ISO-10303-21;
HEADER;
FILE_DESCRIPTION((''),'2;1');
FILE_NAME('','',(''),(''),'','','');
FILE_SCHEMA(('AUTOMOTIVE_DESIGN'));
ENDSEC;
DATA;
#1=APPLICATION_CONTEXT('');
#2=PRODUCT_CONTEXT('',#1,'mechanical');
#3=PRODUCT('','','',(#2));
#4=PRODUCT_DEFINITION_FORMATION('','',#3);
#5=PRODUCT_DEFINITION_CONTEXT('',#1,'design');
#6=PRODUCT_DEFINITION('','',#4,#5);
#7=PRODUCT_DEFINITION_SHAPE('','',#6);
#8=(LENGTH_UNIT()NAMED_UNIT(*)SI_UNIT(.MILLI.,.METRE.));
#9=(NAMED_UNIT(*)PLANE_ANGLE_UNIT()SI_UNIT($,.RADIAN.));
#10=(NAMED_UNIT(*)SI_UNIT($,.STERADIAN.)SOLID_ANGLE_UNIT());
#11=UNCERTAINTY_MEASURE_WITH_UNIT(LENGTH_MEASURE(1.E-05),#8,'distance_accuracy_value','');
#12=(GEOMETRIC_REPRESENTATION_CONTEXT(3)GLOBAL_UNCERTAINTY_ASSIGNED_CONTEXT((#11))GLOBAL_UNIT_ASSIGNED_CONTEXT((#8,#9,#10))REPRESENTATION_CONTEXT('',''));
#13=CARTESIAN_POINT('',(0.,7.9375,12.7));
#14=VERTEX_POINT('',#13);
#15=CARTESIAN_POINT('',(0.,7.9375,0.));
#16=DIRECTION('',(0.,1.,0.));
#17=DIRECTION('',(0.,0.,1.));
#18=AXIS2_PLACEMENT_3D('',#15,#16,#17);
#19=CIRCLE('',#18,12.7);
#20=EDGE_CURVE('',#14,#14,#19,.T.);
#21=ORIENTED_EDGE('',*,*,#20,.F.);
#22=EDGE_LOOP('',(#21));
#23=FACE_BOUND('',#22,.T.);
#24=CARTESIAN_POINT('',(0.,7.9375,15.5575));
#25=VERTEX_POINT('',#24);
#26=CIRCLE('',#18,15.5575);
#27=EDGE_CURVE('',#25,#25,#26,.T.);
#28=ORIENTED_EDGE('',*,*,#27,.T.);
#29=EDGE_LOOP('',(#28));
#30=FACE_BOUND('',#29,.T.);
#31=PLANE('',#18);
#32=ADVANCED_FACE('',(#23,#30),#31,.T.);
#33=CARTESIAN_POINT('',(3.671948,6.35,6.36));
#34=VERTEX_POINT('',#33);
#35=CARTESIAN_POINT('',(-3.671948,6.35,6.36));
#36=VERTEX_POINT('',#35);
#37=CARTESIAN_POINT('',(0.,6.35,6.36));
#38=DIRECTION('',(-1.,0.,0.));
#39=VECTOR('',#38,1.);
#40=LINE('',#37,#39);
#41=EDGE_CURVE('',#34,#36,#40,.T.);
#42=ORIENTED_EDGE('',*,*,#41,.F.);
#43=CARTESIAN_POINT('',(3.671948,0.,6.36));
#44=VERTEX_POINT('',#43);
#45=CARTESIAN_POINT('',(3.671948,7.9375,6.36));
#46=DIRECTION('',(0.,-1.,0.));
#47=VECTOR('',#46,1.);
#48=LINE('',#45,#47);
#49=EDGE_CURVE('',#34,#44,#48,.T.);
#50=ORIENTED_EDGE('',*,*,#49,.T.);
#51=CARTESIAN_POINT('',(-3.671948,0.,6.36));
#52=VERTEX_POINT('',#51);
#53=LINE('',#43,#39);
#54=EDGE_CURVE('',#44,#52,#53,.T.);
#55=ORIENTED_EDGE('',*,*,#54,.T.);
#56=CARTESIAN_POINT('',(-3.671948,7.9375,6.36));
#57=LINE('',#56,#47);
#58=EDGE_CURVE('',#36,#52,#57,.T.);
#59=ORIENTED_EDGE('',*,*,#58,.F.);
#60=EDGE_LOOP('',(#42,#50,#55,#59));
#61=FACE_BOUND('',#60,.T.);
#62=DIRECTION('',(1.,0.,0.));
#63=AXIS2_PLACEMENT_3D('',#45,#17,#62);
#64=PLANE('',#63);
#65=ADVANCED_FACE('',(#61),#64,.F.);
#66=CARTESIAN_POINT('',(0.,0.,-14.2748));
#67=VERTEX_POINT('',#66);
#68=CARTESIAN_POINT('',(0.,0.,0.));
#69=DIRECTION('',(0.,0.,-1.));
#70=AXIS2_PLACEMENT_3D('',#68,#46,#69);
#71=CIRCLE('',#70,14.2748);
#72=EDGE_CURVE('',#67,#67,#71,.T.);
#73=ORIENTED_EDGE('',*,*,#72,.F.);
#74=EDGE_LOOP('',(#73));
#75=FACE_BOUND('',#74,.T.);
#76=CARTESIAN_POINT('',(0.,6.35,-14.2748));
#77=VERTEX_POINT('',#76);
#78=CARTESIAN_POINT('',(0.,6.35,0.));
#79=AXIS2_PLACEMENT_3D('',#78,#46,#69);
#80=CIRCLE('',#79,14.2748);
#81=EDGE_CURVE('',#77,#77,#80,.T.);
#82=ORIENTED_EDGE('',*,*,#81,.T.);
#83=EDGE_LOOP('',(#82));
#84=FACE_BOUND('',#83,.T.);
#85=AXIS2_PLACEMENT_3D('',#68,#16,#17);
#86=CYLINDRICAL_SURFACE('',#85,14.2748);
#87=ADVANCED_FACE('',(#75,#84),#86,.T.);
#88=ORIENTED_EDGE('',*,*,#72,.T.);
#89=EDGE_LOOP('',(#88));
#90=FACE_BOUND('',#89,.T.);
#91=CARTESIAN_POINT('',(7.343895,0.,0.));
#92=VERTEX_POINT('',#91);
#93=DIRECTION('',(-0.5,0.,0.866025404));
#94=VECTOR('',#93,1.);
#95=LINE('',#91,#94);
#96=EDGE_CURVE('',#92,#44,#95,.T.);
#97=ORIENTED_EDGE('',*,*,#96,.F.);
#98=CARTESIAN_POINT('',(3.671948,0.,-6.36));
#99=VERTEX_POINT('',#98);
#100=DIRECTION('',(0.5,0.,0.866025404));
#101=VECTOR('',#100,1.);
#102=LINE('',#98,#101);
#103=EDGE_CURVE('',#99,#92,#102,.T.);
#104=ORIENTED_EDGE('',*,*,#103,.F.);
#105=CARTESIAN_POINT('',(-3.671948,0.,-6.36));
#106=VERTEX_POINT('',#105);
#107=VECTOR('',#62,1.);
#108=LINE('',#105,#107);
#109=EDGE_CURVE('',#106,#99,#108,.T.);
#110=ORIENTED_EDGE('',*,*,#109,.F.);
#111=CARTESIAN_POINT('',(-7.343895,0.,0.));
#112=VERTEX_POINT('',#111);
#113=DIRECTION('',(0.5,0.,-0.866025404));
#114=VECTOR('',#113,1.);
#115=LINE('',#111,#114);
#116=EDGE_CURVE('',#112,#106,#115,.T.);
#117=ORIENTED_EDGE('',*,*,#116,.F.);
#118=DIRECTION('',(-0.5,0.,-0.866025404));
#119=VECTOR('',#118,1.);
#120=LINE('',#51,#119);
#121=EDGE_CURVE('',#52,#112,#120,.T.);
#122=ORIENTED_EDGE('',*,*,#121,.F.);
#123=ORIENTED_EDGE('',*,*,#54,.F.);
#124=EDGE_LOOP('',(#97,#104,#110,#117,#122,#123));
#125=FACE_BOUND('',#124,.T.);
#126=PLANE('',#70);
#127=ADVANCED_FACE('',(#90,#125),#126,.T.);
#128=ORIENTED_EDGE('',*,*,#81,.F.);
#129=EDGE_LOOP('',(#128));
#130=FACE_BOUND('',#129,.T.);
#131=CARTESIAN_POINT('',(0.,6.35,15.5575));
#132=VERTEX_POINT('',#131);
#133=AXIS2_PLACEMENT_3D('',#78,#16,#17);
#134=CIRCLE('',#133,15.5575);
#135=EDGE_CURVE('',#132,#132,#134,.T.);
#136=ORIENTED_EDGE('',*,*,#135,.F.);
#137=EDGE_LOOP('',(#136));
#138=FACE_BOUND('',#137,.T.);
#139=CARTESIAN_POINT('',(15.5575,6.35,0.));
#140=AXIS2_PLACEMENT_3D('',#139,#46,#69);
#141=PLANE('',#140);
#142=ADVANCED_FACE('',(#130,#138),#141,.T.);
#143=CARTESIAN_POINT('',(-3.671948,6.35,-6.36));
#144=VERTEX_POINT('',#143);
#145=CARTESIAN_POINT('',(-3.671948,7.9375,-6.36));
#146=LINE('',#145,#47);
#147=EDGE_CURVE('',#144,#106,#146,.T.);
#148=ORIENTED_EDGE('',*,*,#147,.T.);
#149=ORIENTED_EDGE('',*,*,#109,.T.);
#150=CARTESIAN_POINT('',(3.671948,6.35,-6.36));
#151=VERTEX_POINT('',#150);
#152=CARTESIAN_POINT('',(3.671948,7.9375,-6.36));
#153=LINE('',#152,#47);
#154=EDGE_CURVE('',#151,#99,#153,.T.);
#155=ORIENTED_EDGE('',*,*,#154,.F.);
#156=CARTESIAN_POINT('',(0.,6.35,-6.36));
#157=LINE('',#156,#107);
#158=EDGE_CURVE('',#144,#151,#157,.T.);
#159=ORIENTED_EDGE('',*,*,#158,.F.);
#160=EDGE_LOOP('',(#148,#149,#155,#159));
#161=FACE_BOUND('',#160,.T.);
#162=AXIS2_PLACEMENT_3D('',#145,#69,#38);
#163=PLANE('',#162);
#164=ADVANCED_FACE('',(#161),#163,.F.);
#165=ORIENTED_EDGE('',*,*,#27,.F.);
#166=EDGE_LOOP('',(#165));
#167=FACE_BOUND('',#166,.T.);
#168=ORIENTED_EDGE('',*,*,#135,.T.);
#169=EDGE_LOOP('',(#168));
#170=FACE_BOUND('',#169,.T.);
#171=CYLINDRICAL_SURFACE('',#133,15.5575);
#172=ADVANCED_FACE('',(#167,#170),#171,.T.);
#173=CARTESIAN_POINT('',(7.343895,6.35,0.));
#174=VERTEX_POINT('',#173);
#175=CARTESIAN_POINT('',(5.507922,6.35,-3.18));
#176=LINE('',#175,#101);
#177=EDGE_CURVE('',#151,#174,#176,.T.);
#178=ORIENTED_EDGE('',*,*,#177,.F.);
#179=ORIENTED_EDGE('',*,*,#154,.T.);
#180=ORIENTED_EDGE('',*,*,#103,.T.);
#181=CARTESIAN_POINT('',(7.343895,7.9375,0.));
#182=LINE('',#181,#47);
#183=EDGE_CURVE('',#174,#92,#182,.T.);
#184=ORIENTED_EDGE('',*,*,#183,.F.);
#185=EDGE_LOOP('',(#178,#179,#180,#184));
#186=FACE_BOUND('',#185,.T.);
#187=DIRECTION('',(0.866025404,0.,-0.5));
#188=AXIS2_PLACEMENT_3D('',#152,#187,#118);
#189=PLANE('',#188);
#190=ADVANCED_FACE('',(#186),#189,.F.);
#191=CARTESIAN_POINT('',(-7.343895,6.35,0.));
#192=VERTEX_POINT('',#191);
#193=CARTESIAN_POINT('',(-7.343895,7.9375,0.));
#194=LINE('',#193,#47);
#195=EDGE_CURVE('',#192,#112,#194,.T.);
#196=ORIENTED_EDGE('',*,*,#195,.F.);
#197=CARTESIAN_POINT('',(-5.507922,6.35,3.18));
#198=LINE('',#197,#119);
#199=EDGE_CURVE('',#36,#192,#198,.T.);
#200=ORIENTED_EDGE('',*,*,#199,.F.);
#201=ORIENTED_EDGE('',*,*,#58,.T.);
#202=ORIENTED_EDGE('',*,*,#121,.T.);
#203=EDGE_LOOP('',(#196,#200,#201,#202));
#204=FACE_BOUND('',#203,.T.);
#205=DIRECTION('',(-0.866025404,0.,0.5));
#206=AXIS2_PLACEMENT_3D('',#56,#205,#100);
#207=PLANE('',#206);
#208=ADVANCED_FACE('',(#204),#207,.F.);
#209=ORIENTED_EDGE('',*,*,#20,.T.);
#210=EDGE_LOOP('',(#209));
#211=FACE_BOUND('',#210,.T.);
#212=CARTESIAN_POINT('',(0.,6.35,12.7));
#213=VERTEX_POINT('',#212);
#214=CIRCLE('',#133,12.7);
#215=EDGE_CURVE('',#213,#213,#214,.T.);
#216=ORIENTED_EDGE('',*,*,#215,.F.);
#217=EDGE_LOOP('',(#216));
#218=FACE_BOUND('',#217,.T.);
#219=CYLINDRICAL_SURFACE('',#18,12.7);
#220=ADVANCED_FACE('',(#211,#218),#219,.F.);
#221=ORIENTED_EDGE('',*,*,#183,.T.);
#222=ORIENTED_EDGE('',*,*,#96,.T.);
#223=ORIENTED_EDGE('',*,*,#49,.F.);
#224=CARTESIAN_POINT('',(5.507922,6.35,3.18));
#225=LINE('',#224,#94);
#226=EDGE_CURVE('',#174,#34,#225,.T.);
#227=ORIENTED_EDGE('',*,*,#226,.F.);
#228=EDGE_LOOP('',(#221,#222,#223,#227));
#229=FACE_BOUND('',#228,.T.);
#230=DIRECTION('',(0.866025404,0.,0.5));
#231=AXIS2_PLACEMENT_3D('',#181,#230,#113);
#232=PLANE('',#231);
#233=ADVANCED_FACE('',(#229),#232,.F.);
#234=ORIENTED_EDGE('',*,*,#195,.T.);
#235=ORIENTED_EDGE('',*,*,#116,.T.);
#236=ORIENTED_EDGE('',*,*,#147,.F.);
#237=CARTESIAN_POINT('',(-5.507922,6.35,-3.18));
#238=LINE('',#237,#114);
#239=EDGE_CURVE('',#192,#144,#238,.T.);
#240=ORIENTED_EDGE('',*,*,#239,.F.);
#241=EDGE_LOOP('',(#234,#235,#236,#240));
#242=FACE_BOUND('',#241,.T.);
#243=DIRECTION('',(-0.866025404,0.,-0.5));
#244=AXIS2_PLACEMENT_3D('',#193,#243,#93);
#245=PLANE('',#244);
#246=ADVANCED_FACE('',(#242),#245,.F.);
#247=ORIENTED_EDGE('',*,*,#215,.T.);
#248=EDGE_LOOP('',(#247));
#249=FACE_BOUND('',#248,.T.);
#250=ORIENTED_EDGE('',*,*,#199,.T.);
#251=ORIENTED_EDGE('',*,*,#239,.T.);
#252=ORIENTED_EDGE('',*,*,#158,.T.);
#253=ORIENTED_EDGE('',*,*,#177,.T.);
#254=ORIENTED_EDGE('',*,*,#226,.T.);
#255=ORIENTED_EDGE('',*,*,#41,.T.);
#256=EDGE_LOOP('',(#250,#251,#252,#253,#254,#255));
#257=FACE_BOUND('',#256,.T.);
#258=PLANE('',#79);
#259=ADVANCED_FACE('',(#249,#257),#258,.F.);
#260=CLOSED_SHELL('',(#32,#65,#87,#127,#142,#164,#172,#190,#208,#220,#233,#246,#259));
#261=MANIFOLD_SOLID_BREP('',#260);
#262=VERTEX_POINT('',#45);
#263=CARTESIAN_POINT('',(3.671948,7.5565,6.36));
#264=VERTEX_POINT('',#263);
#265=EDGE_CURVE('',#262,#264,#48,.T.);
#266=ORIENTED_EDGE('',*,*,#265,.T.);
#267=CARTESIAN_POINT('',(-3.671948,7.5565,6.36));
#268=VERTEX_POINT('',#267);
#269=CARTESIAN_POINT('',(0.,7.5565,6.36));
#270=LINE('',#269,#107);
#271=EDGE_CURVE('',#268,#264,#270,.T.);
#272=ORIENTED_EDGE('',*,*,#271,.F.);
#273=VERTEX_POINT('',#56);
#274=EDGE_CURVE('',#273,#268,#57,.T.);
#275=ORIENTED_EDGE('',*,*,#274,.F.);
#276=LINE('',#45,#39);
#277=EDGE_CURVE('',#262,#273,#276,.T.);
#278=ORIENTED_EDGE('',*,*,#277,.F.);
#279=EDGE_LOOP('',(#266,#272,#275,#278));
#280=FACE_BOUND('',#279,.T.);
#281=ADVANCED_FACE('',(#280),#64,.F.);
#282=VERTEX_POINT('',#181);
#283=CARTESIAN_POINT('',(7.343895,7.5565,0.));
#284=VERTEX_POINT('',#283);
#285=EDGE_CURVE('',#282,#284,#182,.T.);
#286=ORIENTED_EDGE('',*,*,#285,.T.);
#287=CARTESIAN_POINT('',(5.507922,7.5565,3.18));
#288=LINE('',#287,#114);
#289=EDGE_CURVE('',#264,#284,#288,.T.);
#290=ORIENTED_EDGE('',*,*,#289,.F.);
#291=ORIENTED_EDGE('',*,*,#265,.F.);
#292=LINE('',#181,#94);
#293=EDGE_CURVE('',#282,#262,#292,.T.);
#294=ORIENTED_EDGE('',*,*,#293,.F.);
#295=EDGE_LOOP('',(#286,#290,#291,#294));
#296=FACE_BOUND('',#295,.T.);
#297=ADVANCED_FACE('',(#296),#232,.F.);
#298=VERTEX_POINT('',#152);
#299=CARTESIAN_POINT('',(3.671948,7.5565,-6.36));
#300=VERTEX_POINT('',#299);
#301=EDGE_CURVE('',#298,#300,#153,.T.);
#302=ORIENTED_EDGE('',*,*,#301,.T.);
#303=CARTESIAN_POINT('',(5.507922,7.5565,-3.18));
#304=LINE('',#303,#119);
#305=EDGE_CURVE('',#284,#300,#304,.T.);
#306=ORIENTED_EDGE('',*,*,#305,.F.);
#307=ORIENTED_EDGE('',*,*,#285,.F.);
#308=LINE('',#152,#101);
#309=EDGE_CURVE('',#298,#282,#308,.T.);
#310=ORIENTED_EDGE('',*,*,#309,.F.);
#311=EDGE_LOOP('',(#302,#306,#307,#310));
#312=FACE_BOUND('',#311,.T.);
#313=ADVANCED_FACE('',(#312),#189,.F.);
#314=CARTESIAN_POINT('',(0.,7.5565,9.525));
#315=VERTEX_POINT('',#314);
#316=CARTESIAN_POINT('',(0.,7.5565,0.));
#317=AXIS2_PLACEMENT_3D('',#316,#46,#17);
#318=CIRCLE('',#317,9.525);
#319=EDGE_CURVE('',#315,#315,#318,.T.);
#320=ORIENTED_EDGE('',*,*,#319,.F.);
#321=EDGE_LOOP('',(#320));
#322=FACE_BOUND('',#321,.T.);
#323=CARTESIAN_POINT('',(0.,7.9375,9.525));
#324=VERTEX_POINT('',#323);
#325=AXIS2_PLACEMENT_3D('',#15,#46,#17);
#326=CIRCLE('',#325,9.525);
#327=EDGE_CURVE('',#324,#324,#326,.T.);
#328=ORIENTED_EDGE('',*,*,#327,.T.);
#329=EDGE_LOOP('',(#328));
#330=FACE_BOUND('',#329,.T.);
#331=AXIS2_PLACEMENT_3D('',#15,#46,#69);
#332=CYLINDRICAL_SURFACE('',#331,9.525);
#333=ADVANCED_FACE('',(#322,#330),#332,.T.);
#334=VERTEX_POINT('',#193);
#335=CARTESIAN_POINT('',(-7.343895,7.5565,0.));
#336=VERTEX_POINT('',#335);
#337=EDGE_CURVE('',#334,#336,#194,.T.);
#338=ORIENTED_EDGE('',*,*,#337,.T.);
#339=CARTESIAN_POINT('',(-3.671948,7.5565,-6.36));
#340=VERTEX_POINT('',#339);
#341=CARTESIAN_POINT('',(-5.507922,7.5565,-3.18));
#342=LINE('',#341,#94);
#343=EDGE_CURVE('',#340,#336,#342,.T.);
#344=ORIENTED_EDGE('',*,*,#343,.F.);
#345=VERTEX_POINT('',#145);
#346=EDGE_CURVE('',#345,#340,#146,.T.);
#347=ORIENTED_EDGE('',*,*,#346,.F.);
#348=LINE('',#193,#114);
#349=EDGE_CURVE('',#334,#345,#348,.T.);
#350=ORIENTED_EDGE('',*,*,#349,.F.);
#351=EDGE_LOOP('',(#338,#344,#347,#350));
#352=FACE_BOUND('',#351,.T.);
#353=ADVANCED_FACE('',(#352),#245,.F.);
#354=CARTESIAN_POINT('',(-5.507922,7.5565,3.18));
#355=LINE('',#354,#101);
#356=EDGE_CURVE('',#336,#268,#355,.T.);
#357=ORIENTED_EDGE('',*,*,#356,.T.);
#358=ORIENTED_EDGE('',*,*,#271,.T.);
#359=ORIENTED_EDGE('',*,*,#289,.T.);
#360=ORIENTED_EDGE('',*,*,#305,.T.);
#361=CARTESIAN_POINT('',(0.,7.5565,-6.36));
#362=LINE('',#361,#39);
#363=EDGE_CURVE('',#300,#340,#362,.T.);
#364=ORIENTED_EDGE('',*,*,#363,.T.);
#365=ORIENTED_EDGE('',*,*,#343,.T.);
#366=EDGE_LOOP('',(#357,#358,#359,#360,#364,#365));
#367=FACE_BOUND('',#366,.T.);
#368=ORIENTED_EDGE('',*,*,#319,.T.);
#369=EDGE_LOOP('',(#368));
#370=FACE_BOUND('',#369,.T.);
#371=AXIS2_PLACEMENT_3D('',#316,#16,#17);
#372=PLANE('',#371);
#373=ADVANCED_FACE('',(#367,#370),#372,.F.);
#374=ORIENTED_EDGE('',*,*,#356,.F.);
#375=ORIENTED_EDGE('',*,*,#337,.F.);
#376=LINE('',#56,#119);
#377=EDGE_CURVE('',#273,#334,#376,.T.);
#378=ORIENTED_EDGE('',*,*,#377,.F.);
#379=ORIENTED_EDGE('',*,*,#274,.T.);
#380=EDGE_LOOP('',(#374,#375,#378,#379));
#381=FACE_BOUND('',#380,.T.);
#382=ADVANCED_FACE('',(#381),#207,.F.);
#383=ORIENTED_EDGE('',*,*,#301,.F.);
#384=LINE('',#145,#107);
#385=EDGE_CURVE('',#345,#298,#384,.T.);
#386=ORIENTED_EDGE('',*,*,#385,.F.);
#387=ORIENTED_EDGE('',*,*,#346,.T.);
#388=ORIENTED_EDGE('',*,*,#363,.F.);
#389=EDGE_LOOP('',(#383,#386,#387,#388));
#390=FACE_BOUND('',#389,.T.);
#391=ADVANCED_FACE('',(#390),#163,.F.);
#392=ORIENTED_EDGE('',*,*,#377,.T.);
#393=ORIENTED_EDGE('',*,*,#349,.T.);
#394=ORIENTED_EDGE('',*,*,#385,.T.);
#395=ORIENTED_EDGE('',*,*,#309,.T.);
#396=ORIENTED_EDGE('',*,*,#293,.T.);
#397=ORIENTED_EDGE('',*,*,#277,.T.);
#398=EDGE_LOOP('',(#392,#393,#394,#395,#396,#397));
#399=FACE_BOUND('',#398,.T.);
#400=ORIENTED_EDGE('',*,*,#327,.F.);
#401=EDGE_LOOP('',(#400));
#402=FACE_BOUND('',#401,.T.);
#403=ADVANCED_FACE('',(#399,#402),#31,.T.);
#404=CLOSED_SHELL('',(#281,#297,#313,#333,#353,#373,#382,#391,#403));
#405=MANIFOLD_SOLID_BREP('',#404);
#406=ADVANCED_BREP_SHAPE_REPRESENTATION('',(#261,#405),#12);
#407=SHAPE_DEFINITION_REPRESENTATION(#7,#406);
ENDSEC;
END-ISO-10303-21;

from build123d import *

# Parameters (mm, degrees)
SKETCH1_W                  = 15.5575
SKETCH1_H                  = 1.5875
F_1_1_DIAMETER_HOLE1_D     = 25.4
F_1_1_DIAMETER_HOLE1_DEPTH = 1.5875
SKETCH4_R                  = 9.525
BOSS_EXTRUDE1_DEPTH        = 0.381
SKETCH5_R                  = 14.2748
BOSS_EXTRUDE2_DEPTH        = 6.35
CUT_EXTRUDE1_DEPTH         = 8.9375


with BuildPart() as part:
    # Sketch1 → Revolve1 (revolve)
    with BuildSketch(Plane(origin=(0, 0, 0), x_dir=(-1, 0, 0), z_dir=(0, 0, -1))):
        with Locations((-7.77875, 7.14375)):
            Rectangle(SKETCH1_W, SKETCH1_H)
    revolve(axis=Axis((0, 6.35, 0), (0, 1, 0)))

    # 1 (1) Diameter Hole1
    with Locations(Plane(origin=(0, 7.9375, 0), x_dir=(1, 0, 0), z_dir=(0, 1, 0))):
        with Locations((0, 0)):
            Hole(F_1_1_DIAMETER_HOLE1_D / 2, depth=F_1_1_DIAMETER_HOLE1_DEPTH)

    # Sketch5 → Boss-Extrude2 (add)
    with BuildSketch(Plane.XZ.offset(-6.35)):
        Circle(SKETCH5_R)
    extrude(amount=BOSS_EXTRUDE2_DEPTH)


with BuildPart() as body_2:
    # Sketch4 → Boss-Extrude1 (new body)
    with BuildSketch(Plane.XZ.offset(-7.5565)):
        Circle(SKETCH4_R)
    extrude(amount=-BOSS_EXTRUDE1_DEPTH)


with BuildPart() as cut_extrude1_tool:
    # Sketch6 → Cut-Extrude1 (new body, through all)
    with BuildSketch(Plane.XZ):
        Polygon((-3.671947712, 6.36), (-7.343895424, 0), (-3.671947712, -6.36), (3.671947712, -6.36), (7.343895424, 0), (3.671947712, 6.36), align=None)
    extrude(amount=-CUT_EXTRUDE1_DEPTH)


with BuildPart() as part_1:
    add(part.part)

    # Cut-Extrude1: cut by cut_extrude1_tool
    add(cut_extrude1_tool.part, mode=Mode.SUBTRACT)


with BuildPart() as body_2_1:
    add(body_2.part)

    # Cut-Extrude1: cut by cut_extrude1_tool
    add(cut_extrude1_tool.part, mode=Mode.SUBTRACT)


solid = Compound([part_1.part, body_2_1.part])
